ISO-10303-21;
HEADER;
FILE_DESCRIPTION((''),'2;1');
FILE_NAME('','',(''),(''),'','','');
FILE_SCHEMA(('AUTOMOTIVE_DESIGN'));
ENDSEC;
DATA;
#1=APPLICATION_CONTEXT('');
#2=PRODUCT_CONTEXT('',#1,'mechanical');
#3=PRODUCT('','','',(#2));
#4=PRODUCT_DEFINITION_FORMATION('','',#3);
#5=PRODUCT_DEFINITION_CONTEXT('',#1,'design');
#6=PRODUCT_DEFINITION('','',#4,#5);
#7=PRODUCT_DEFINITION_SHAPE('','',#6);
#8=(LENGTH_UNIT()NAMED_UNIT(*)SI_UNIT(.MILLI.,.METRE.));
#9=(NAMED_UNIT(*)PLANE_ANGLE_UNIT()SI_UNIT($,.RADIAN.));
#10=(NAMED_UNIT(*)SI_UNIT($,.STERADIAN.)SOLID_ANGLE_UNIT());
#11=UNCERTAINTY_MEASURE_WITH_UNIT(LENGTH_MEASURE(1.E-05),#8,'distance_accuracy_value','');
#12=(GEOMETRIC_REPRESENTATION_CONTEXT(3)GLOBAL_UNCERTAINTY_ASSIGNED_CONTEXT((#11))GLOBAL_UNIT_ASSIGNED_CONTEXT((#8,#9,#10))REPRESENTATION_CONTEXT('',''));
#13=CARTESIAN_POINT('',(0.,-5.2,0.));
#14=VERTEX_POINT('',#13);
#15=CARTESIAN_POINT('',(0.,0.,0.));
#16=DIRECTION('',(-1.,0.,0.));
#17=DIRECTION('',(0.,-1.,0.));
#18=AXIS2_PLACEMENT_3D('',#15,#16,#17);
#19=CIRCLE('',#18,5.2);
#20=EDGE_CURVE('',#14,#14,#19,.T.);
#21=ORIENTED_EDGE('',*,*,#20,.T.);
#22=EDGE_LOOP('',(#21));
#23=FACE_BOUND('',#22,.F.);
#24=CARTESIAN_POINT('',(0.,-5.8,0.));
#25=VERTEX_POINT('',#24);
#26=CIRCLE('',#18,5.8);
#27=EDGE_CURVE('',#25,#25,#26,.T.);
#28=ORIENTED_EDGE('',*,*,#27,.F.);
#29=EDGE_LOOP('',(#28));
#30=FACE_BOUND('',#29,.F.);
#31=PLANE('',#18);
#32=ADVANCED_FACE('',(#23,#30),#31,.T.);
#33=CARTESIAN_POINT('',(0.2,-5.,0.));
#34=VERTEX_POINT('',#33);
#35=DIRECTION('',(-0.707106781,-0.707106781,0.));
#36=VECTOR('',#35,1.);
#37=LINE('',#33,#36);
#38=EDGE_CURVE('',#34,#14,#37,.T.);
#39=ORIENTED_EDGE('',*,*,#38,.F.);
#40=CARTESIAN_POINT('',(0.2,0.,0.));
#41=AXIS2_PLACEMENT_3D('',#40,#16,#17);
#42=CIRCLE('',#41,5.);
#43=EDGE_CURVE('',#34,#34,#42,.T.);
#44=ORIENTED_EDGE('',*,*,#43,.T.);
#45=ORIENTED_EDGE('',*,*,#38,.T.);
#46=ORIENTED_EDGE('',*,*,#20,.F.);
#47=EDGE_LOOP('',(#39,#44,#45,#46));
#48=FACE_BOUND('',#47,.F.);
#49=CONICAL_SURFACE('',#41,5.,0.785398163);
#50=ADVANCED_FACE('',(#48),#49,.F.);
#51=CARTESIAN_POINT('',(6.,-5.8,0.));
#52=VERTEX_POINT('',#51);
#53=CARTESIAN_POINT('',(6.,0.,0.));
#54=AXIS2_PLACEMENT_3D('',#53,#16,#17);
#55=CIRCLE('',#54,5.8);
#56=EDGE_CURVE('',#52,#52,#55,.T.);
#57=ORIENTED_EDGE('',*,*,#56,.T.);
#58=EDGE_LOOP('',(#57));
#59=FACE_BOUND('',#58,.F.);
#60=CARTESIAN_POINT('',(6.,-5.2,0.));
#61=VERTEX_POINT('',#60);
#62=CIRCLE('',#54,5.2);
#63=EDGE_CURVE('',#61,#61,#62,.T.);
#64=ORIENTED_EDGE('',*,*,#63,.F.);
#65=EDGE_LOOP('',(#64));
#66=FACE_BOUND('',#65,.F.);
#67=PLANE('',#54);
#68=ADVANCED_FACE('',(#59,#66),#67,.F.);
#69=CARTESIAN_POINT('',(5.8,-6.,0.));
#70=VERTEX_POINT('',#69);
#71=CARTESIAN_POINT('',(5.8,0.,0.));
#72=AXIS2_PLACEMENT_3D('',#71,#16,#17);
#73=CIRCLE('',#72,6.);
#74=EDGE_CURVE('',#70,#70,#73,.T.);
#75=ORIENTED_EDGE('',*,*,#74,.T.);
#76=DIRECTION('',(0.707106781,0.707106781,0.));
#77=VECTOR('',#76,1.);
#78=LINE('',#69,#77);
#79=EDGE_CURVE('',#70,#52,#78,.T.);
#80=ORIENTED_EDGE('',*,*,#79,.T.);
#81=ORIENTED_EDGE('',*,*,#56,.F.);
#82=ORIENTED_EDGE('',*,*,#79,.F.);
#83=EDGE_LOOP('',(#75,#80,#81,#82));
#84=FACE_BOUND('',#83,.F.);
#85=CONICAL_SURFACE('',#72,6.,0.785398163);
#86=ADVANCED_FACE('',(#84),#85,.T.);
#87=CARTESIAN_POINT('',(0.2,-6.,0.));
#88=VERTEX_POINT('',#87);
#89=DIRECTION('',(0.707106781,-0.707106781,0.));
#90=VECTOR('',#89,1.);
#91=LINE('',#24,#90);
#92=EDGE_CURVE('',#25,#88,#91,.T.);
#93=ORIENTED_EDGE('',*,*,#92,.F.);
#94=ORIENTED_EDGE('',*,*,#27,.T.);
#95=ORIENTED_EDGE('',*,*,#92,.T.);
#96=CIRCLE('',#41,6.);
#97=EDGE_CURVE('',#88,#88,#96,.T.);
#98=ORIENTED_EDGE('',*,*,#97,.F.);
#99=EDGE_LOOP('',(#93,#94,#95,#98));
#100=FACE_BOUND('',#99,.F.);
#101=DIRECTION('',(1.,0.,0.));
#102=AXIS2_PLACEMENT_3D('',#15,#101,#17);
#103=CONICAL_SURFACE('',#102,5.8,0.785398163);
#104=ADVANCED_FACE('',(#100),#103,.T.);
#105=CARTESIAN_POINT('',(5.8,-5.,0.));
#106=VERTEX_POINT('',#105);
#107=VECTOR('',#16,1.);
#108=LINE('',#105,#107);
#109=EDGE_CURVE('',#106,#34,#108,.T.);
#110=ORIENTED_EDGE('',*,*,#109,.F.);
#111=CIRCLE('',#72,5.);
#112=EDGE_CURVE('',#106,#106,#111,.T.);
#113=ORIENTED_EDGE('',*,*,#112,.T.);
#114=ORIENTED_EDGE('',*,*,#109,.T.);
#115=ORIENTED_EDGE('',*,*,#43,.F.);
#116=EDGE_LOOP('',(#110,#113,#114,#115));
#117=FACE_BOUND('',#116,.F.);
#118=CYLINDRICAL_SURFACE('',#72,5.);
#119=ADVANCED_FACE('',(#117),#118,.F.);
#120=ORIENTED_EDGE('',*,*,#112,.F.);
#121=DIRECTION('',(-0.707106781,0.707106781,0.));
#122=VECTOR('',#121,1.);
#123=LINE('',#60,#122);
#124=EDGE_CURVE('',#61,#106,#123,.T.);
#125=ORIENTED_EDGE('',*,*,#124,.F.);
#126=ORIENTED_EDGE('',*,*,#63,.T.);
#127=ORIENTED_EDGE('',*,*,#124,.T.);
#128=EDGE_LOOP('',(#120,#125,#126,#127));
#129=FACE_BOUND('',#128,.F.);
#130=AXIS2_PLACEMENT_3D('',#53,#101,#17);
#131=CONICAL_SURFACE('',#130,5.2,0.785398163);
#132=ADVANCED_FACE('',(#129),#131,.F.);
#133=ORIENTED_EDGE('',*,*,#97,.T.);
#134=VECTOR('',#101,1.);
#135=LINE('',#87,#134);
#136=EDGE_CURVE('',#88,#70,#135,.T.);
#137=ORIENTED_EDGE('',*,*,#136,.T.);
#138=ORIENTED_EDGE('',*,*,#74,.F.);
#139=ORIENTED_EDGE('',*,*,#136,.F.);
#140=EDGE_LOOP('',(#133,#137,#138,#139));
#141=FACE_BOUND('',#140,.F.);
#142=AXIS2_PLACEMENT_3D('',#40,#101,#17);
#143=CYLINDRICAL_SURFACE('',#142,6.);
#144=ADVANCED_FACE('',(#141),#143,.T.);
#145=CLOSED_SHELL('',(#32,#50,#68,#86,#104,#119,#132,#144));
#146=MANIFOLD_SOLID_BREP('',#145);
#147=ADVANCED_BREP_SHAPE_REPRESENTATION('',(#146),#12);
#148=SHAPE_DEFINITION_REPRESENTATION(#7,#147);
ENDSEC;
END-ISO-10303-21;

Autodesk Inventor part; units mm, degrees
sketch "Sketch_1" plane through (0, 0, 0) normal (0, 0, 1) x (1, 0, 0)
  line L0 (-3, 0) -> (3, 0)
  line L1 (0, -5.2) -> (0, -5.8)
  line L2 (0, -5.8) -> (0.2, -6)
  line L3 (0.2, -6) -> (5.8, -6)
  line L4 (5.8, -6) -> (6, -5.8)
  line L5 (6, -5.8) -> (6, -5.2)
  line L6 (6, -5.2) -> (5.8, -5)
  line L7 (5.8, -5) -> (0.2, -5)
  line L8 (0.2, -5) -> (0, -5.2)
revolve "Revolution1" add sketch "Sketch_1" angle 360 about axis through (-3, 0, 0) along (-1, 0, 0)
ref_plane "a_XY" through (0, 0, 0) normal (1, 0, 0) x (0, 0, -1)
ref_plane "a_YZ" through (0, 0, 0) normal (0, 0, -1) x (0, 1, 0)
ref_plane "a_ZX" through (0, 0, 0) normal (0, 1, 0) x (1, 0, 0)
properties part number "WSSS12-10-6"
